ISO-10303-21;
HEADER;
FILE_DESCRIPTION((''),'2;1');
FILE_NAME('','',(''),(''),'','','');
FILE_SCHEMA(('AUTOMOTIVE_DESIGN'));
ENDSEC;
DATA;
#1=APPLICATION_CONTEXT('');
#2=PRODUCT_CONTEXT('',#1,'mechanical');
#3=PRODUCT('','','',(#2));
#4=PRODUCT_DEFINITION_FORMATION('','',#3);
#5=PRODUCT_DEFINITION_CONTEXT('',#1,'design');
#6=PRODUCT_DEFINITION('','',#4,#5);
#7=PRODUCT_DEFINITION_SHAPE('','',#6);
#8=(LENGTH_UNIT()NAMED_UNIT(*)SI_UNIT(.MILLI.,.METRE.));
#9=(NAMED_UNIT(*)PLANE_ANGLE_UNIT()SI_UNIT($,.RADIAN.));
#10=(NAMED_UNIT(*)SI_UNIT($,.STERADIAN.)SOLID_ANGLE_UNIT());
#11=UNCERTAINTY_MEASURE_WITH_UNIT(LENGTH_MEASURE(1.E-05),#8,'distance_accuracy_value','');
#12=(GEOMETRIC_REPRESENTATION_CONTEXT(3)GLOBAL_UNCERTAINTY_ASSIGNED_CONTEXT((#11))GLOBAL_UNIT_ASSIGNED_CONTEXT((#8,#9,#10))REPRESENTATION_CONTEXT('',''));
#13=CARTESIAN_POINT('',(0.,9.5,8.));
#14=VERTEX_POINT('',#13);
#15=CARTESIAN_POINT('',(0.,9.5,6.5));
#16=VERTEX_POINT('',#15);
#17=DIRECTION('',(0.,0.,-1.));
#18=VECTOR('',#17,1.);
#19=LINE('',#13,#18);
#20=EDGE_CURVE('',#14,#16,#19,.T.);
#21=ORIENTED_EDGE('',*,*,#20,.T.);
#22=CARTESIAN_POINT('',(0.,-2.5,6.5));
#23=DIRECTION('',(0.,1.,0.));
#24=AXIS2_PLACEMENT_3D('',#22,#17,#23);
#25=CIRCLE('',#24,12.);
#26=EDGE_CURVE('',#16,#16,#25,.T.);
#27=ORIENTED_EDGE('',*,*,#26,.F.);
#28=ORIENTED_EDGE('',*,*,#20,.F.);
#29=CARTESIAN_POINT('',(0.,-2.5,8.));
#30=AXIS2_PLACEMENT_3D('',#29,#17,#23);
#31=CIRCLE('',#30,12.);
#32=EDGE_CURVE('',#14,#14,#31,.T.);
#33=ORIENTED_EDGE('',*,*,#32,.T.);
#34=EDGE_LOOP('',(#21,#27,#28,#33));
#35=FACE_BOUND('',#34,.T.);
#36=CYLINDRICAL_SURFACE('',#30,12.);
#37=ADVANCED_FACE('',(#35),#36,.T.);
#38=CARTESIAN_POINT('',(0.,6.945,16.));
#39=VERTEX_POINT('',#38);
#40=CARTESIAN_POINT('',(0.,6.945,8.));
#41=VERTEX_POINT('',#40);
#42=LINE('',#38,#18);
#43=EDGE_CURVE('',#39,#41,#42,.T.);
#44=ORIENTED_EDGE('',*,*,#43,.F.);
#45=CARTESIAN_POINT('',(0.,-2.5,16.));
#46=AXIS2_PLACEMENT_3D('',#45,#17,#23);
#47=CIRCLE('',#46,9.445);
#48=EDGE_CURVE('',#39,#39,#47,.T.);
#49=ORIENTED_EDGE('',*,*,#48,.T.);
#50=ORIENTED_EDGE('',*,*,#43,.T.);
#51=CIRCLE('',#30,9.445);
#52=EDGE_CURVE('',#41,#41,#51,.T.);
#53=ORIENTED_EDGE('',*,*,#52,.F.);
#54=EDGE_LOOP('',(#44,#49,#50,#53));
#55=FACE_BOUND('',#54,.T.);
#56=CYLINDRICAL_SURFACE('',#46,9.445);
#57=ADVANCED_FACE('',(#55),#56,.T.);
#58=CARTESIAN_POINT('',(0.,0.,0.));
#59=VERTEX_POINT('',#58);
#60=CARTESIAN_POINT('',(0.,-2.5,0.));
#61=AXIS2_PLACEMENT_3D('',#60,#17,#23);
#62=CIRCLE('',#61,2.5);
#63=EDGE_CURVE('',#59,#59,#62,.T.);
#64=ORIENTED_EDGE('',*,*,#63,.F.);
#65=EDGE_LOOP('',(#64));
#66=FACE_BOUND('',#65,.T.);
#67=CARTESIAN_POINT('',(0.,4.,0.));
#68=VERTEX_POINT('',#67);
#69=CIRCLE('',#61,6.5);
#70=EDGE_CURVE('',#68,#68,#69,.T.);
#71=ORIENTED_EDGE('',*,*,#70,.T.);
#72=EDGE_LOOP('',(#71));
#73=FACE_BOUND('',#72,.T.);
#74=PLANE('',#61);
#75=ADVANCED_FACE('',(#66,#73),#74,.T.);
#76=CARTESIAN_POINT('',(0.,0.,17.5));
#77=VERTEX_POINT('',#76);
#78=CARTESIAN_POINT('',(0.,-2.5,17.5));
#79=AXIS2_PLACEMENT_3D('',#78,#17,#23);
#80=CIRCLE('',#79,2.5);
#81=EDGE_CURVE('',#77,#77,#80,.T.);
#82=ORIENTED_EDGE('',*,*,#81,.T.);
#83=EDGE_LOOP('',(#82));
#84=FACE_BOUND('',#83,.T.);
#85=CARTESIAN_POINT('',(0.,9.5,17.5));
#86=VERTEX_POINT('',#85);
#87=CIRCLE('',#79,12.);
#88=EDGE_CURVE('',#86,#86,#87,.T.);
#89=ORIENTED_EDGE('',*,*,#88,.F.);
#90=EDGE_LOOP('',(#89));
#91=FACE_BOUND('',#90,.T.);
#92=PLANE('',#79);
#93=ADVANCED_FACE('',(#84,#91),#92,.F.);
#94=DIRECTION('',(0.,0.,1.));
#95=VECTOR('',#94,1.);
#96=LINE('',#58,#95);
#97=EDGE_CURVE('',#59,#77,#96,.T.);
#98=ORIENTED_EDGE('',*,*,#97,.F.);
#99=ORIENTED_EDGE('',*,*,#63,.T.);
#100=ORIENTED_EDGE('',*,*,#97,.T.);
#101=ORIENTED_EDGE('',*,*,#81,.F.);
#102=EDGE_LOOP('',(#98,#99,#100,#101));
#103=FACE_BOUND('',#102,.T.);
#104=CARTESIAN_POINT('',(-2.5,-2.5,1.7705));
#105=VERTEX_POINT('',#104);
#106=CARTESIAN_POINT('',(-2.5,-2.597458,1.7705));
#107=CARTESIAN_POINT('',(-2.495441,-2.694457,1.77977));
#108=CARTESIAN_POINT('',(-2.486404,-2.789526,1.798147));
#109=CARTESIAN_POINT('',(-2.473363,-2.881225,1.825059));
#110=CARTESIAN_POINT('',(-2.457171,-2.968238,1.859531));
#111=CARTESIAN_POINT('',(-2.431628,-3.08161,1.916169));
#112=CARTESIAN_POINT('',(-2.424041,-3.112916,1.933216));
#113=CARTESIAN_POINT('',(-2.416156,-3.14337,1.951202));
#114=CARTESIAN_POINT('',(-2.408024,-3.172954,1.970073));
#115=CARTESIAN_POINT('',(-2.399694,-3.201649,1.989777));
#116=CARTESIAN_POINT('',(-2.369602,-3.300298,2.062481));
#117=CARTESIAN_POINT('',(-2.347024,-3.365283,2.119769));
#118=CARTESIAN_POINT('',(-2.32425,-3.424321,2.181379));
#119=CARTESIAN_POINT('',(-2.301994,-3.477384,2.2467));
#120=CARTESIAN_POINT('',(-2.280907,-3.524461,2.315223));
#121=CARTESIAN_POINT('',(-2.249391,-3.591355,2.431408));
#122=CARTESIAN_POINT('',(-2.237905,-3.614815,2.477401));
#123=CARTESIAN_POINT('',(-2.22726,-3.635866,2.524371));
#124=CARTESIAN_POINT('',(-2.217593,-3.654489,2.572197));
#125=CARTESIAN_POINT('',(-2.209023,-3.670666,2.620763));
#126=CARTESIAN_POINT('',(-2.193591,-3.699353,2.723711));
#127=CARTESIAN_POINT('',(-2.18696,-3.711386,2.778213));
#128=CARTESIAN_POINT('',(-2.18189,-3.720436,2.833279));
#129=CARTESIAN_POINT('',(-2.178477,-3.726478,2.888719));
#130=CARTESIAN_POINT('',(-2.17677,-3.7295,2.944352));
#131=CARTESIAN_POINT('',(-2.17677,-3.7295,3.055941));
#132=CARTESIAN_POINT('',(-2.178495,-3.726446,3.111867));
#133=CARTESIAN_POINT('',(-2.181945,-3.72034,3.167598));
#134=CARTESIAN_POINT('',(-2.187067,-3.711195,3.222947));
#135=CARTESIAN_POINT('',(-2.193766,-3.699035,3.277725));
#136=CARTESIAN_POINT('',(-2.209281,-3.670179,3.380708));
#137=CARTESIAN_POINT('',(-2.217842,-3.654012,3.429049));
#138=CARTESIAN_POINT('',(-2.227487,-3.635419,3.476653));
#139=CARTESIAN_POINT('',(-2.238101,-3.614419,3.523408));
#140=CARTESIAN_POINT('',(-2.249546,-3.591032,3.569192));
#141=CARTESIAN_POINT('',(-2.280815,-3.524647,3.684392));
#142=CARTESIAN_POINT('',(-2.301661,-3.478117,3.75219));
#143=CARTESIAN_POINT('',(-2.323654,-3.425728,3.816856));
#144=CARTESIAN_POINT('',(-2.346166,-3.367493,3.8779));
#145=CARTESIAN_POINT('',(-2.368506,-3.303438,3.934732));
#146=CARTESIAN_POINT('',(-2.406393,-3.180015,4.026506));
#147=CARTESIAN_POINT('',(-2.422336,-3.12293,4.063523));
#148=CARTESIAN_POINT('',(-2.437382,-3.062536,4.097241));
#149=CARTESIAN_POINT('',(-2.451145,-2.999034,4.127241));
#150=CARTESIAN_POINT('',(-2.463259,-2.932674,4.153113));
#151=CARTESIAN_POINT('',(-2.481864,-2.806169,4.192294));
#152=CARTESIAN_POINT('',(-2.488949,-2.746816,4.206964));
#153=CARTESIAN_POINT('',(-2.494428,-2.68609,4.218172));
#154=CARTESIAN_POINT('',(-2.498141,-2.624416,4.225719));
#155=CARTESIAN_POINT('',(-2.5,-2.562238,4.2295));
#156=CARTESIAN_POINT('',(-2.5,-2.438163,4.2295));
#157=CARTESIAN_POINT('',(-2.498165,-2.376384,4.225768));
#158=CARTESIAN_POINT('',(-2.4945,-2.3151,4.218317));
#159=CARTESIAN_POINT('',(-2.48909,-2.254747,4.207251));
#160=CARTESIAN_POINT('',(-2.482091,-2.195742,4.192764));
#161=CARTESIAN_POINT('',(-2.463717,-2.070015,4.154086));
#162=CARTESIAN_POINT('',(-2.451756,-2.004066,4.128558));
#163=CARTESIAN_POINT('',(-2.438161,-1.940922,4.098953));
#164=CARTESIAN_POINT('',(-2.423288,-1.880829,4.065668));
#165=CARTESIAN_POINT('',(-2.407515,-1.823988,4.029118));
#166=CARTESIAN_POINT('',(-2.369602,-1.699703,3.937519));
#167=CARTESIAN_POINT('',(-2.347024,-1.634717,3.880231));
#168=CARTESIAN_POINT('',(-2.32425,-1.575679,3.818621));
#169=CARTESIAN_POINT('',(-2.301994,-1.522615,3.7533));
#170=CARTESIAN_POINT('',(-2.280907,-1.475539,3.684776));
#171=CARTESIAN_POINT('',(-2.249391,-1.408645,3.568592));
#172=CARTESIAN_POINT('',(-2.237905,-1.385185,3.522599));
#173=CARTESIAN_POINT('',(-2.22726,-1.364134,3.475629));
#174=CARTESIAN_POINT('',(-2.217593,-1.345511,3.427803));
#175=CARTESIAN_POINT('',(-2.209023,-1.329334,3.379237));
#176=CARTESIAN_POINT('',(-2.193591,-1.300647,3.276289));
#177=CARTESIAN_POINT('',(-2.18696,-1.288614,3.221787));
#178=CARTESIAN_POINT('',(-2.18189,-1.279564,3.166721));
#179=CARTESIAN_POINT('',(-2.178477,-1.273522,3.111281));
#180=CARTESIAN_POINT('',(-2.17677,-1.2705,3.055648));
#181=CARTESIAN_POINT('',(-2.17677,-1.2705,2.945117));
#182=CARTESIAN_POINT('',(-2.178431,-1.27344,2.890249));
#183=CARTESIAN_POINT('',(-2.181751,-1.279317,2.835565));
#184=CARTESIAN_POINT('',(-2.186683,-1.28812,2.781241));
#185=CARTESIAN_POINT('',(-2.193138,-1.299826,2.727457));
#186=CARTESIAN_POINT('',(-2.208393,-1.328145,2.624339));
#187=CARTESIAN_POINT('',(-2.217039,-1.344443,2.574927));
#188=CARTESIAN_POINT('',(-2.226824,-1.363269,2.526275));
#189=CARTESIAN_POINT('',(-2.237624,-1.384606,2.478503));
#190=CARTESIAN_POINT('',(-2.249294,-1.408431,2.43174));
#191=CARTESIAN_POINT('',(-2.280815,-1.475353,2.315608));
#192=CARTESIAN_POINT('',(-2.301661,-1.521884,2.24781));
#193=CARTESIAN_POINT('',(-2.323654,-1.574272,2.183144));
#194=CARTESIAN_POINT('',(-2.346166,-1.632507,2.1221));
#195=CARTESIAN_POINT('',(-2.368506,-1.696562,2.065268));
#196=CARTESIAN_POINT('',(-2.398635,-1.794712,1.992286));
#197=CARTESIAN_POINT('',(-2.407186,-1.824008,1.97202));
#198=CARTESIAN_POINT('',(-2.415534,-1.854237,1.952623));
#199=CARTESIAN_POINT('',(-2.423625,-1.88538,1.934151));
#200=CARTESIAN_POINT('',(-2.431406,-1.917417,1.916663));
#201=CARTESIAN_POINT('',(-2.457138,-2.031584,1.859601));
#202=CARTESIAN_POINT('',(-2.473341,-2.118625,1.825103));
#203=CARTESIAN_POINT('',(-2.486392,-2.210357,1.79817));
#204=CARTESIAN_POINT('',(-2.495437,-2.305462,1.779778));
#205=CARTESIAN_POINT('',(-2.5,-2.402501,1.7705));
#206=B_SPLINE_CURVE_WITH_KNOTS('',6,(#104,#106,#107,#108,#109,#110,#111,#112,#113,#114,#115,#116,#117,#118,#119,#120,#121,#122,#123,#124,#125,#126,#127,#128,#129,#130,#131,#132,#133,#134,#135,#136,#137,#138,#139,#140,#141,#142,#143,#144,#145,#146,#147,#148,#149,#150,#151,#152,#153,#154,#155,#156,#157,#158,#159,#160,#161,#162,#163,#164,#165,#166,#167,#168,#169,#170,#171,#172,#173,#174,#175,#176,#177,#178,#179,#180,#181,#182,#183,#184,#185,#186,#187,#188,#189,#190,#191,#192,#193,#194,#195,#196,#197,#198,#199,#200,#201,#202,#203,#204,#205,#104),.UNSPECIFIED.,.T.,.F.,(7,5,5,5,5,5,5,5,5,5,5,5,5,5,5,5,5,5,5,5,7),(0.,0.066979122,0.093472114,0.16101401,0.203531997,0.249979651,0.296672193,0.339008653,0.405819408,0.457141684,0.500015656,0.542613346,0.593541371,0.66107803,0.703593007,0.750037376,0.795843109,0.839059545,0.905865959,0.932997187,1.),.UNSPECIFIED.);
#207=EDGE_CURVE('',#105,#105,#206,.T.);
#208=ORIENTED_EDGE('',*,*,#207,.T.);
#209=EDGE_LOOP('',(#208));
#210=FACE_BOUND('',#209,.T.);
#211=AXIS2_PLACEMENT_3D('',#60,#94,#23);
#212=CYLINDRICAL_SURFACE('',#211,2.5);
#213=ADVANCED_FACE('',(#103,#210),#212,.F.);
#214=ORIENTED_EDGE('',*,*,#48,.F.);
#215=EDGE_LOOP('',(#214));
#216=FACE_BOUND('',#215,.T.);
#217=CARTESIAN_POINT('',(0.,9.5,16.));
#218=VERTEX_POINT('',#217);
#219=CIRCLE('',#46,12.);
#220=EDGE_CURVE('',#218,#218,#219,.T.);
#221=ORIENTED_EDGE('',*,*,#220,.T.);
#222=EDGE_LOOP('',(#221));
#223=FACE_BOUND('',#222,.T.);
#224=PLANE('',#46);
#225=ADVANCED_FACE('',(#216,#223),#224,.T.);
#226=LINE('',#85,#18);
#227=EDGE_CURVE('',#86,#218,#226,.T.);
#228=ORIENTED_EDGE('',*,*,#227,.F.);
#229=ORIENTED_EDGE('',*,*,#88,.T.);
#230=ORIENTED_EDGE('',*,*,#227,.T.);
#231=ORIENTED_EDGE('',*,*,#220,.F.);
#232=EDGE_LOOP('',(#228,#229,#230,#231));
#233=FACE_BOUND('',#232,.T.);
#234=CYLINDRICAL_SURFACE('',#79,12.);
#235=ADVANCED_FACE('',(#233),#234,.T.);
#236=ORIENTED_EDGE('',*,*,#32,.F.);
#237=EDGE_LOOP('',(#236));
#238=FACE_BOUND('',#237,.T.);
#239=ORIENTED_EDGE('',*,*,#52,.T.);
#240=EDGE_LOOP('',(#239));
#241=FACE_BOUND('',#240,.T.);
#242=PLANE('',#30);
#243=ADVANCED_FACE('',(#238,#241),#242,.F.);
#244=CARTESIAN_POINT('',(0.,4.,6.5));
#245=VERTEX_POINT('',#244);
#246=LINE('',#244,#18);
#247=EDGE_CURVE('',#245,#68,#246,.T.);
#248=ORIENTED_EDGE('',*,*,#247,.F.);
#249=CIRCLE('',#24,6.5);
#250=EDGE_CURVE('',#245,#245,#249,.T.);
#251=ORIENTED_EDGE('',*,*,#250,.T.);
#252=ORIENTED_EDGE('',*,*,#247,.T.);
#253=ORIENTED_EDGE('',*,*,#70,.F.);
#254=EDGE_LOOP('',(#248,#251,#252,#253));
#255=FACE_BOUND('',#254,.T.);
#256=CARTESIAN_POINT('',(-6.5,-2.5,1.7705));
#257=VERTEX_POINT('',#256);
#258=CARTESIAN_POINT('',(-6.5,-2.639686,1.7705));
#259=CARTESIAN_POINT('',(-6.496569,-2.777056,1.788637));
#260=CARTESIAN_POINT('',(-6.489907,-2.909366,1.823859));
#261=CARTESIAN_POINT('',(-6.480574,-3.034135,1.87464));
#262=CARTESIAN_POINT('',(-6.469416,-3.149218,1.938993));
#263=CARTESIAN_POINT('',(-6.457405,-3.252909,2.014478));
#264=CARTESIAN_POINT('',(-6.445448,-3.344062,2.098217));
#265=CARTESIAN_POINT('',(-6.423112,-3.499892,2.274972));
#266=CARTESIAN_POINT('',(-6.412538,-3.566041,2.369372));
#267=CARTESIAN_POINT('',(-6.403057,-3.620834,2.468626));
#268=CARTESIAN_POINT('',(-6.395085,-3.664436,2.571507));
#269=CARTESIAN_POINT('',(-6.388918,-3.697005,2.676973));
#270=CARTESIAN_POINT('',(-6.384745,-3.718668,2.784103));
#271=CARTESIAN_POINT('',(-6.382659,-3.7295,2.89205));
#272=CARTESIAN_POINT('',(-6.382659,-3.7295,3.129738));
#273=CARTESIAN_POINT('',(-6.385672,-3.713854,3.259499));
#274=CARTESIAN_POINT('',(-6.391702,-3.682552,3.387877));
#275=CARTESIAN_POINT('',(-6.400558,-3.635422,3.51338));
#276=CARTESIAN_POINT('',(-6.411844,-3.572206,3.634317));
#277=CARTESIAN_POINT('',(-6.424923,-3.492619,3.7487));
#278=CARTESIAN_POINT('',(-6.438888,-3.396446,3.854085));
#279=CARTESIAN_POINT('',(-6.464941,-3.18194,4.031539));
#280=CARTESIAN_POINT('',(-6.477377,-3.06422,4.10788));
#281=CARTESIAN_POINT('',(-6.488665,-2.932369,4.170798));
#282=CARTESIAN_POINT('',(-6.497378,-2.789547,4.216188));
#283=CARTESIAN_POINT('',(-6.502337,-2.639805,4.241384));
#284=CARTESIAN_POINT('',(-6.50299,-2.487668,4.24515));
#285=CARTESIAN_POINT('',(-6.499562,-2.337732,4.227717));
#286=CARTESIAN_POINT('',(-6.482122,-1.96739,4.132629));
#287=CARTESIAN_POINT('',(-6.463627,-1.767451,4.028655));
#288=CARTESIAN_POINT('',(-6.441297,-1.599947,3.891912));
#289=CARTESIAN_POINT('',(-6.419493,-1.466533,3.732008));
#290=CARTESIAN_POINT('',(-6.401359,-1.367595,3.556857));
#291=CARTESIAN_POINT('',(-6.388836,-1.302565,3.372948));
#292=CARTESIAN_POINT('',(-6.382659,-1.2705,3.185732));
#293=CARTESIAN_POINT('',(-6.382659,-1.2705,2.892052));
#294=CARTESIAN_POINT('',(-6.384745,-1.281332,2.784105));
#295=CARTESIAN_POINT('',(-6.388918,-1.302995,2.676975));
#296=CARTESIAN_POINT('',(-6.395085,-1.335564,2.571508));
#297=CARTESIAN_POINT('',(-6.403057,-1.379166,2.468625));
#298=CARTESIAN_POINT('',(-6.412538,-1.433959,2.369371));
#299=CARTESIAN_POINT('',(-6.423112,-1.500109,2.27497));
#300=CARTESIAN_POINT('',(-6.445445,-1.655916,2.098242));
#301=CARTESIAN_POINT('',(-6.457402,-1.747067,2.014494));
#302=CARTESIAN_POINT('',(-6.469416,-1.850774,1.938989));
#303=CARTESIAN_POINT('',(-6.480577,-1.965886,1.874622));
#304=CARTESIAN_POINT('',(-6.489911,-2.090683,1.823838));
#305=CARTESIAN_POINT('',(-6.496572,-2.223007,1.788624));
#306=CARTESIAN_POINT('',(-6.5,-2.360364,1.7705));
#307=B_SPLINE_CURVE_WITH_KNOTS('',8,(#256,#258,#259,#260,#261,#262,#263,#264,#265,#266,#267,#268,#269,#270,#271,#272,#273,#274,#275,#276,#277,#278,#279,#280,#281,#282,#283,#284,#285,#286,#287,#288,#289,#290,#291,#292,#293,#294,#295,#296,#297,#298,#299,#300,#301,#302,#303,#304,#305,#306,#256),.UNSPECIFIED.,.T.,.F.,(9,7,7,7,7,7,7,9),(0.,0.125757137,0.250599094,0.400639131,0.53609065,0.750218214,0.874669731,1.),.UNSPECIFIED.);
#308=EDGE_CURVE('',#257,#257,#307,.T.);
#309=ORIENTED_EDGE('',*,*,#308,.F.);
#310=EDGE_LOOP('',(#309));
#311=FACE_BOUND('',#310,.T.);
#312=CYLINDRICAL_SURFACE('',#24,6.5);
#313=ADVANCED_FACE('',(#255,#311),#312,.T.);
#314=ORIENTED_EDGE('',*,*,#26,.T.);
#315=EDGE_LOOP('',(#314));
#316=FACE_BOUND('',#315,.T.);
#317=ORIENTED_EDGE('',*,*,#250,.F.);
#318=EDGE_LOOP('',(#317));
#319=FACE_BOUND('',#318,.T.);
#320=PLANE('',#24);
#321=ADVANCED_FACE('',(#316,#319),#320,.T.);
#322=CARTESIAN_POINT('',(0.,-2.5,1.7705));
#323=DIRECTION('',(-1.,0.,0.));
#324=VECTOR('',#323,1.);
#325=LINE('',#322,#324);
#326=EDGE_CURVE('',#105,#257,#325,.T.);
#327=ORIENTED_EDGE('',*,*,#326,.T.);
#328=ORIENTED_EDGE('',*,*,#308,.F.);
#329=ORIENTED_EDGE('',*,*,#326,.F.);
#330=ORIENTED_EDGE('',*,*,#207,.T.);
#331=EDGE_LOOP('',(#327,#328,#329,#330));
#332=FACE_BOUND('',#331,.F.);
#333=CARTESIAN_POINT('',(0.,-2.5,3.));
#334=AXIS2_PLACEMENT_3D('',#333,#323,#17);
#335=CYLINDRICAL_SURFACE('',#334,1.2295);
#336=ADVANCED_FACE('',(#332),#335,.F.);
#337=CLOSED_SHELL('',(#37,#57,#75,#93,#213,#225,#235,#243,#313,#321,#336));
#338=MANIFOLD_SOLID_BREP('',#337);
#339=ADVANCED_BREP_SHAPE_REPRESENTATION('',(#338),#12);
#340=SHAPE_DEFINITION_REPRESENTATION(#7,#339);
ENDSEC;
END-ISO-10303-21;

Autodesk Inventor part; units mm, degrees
ref_plane "YZ Plane" through (0, 0, 0) normal (1, 0, 0) x (0, 1, 0)
ref_plane "XZ Plane" through (0, 0, 0) normal (0, 1, 0) x (-1, 0, 0)
ref_plane "XY Plane" through (0, 0, 0) normal (0, 0, 1) x (1, 0, 0)
sketch "Sketch1" plane through (0, 0, 0) normal (1, 0, 0) x (0, 1, 0)
  line L0 (0, 17.5) -> (9.5, 17.5)
  line L1 (9.5, 17.5) -> (9.5, 16)
  line L2 (9.5, 16) -> (6.945, 16)
  line L3 (6.945, 16) -> (6.945, 8)
  line L4 (6.945, 8) -> (9.5, 8)
  line L5 (9.5, 8) -> (9.5, 6.5)
  line L6 (9.5, 6.5) -> (4, 6.5)
  line L7 (4, 6.5) -> (4, 0)
  line L8 (4, 0) -> (0, 0)
  line L9 (0, 0) -> (0, 17.5)
  line L10 (-2.5, 10.0812) -> (-2.5, 1.7277) construction
  dimension "d0" = 24
  dimension "d1" = 17.5
  dimension "d2" = 8
  dimension "d3" = 11
  dimension "d4" = 5
  dimension "d5" = 13
  dimension "d6" = 18.89
revolve "Revolution1" add sketch "Sketch1" angle 360 about axis through (0, -2.5, 10.0812) along (0, 0, -1)
sketch "Sketch2" plane through (0, 0, 0) normal (1, 0, 0) x (0, 1, 0)
  line L0 (-9, 6.5) -> (-9, 0) construction
  line L1 (4, 6.5) -> (4, 0) construction
  line L2 (-9, 0) -> (4, 0) construction
  line L3 (-19.3, 0) -> (14.3, 0) construction
  point P0 (0, 0)
  point P1 (-2.5, 3)
  point P2 (-2.5, 3)
  dimension "d8" = 3
hole "Hole1" at (0, -2.5, 3) direction (-1, 0, 0) diameter 2.459 end through all thread size "M3x0.5" class "6H" standard "ISO Metric profile"
